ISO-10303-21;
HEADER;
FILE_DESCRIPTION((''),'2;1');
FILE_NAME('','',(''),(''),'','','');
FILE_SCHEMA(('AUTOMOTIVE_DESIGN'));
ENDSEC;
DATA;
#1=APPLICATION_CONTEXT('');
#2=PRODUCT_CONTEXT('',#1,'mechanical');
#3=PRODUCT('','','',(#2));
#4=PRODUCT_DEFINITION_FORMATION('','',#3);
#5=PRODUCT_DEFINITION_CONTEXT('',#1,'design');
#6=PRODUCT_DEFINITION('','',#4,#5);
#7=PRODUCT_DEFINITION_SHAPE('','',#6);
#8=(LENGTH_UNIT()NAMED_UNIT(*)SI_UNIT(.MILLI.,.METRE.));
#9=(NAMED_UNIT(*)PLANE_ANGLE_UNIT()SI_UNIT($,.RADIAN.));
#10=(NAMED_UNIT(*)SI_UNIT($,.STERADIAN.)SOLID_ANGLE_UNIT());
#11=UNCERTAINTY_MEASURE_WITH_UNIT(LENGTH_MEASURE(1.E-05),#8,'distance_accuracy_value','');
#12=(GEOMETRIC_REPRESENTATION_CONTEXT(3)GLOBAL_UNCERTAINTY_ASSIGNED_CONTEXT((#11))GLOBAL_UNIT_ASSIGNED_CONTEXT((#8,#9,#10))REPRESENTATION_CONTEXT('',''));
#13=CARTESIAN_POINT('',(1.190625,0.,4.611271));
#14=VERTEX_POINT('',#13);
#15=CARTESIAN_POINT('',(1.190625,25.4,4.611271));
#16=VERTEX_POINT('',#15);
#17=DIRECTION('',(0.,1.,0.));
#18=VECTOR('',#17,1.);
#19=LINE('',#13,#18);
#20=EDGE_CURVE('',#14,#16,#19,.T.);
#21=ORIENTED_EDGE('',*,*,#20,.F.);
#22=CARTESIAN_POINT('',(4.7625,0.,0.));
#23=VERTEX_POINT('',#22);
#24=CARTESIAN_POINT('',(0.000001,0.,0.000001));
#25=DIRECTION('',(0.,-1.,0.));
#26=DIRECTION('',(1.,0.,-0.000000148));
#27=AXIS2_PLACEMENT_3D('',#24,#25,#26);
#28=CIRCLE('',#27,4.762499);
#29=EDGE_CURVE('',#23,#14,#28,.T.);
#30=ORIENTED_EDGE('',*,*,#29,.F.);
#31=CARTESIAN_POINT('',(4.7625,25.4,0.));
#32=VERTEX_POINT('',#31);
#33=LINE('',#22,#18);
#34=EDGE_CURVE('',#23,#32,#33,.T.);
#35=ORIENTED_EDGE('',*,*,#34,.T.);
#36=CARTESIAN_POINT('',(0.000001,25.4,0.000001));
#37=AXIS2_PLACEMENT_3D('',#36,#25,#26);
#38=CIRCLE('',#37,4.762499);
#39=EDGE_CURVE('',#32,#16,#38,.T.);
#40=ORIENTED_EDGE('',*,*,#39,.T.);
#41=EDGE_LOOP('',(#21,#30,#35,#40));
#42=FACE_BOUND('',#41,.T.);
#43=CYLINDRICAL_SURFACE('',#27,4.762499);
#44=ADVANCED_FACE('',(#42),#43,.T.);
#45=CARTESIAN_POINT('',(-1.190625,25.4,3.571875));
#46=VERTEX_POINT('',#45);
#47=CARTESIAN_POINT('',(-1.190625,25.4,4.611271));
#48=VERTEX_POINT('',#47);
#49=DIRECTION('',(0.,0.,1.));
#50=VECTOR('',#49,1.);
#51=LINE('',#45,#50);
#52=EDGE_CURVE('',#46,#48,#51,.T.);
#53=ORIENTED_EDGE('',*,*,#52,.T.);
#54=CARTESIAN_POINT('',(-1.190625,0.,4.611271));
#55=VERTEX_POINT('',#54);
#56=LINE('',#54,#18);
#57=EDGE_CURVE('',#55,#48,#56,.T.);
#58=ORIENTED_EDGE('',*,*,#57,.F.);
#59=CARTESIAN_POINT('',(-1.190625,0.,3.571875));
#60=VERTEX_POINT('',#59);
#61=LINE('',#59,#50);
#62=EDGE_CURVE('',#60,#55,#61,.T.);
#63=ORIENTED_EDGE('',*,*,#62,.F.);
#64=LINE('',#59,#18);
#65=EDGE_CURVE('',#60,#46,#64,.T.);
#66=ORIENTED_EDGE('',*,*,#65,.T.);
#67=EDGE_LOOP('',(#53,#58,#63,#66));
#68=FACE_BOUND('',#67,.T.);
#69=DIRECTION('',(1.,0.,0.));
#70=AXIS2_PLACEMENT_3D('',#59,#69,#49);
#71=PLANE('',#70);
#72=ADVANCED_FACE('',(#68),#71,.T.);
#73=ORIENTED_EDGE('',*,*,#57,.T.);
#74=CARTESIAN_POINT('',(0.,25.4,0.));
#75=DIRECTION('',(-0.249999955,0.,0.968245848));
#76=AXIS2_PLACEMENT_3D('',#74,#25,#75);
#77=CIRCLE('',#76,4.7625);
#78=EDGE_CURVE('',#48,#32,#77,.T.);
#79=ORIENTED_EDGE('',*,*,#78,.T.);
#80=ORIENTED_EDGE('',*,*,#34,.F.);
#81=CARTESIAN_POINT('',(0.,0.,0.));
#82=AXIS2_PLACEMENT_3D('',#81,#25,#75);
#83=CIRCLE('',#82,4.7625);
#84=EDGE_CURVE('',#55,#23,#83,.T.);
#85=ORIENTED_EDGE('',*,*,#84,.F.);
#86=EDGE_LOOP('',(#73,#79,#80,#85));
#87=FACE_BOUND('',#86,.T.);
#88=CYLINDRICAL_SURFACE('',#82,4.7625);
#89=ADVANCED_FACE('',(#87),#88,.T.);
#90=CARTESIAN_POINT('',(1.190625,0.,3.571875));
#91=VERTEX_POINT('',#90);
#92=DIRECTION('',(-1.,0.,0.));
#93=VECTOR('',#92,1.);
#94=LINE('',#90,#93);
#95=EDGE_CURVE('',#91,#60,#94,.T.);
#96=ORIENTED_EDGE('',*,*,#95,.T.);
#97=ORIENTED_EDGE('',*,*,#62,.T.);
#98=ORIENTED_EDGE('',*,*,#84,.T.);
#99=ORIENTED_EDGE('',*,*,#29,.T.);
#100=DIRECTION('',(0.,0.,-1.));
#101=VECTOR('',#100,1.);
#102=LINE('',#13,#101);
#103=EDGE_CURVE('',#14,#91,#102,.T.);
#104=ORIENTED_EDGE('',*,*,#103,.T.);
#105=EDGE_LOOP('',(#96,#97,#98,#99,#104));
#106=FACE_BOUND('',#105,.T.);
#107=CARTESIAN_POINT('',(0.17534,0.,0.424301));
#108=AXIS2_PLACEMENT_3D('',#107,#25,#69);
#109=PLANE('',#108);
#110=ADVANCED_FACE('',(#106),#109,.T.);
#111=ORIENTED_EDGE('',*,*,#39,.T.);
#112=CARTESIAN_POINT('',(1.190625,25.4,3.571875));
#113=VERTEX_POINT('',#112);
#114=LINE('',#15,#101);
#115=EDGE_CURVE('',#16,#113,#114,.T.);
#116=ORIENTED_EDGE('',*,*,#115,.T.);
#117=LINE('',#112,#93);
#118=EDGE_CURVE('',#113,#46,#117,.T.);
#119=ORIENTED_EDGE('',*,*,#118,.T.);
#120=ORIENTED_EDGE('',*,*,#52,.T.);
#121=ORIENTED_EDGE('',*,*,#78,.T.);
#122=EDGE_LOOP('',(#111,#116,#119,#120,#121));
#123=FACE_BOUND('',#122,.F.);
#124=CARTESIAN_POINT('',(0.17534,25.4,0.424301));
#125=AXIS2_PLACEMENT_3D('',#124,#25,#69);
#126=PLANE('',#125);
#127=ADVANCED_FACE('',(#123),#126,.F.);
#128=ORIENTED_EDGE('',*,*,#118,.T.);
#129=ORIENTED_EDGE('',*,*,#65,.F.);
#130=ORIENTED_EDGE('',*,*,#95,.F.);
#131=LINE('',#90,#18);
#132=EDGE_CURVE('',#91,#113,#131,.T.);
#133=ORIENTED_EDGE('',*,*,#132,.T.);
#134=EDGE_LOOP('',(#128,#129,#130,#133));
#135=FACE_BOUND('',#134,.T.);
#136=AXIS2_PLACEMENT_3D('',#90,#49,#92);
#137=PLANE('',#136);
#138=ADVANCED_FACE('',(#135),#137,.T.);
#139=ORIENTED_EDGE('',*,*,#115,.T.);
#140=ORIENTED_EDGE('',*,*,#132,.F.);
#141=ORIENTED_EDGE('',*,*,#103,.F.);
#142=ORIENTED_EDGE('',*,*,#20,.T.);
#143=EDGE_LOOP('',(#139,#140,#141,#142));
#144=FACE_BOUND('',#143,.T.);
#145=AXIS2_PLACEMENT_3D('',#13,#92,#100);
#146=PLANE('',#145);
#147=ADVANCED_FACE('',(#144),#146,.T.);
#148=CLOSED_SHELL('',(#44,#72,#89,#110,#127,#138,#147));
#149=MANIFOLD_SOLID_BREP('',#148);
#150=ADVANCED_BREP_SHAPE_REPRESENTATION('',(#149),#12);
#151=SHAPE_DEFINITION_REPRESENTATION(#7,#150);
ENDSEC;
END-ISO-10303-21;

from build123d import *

# Parameters (mm, degrees)
F1_DEPTH = 25.4


with BuildPart() as f1:
    # F0 (on Front) → F1 (new body)
    with BuildSketch(Plane.XZ):
        with BuildLine():
            ThreePointArc((-1.190625, 4.611271), (-2.916424, -3.765087), (4.7625, 0))
            ThreePointArc((4.7625, 0), (3.765087, 2.916424), (1.190625, 4.611271))
            Line((1.190625, 4.611271), (1.190625, 3.571875))
            Line((1.190625, 3.571875), (0, 3.571875))
            Line((0, 3.571875), (-1.190625, 3.571875))
            Line((-1.190625, 3.571875), (-1.190625, 4.611271))
        make_face()
    extrude(amount=-F1_DEPTH)


solid = f1.part
